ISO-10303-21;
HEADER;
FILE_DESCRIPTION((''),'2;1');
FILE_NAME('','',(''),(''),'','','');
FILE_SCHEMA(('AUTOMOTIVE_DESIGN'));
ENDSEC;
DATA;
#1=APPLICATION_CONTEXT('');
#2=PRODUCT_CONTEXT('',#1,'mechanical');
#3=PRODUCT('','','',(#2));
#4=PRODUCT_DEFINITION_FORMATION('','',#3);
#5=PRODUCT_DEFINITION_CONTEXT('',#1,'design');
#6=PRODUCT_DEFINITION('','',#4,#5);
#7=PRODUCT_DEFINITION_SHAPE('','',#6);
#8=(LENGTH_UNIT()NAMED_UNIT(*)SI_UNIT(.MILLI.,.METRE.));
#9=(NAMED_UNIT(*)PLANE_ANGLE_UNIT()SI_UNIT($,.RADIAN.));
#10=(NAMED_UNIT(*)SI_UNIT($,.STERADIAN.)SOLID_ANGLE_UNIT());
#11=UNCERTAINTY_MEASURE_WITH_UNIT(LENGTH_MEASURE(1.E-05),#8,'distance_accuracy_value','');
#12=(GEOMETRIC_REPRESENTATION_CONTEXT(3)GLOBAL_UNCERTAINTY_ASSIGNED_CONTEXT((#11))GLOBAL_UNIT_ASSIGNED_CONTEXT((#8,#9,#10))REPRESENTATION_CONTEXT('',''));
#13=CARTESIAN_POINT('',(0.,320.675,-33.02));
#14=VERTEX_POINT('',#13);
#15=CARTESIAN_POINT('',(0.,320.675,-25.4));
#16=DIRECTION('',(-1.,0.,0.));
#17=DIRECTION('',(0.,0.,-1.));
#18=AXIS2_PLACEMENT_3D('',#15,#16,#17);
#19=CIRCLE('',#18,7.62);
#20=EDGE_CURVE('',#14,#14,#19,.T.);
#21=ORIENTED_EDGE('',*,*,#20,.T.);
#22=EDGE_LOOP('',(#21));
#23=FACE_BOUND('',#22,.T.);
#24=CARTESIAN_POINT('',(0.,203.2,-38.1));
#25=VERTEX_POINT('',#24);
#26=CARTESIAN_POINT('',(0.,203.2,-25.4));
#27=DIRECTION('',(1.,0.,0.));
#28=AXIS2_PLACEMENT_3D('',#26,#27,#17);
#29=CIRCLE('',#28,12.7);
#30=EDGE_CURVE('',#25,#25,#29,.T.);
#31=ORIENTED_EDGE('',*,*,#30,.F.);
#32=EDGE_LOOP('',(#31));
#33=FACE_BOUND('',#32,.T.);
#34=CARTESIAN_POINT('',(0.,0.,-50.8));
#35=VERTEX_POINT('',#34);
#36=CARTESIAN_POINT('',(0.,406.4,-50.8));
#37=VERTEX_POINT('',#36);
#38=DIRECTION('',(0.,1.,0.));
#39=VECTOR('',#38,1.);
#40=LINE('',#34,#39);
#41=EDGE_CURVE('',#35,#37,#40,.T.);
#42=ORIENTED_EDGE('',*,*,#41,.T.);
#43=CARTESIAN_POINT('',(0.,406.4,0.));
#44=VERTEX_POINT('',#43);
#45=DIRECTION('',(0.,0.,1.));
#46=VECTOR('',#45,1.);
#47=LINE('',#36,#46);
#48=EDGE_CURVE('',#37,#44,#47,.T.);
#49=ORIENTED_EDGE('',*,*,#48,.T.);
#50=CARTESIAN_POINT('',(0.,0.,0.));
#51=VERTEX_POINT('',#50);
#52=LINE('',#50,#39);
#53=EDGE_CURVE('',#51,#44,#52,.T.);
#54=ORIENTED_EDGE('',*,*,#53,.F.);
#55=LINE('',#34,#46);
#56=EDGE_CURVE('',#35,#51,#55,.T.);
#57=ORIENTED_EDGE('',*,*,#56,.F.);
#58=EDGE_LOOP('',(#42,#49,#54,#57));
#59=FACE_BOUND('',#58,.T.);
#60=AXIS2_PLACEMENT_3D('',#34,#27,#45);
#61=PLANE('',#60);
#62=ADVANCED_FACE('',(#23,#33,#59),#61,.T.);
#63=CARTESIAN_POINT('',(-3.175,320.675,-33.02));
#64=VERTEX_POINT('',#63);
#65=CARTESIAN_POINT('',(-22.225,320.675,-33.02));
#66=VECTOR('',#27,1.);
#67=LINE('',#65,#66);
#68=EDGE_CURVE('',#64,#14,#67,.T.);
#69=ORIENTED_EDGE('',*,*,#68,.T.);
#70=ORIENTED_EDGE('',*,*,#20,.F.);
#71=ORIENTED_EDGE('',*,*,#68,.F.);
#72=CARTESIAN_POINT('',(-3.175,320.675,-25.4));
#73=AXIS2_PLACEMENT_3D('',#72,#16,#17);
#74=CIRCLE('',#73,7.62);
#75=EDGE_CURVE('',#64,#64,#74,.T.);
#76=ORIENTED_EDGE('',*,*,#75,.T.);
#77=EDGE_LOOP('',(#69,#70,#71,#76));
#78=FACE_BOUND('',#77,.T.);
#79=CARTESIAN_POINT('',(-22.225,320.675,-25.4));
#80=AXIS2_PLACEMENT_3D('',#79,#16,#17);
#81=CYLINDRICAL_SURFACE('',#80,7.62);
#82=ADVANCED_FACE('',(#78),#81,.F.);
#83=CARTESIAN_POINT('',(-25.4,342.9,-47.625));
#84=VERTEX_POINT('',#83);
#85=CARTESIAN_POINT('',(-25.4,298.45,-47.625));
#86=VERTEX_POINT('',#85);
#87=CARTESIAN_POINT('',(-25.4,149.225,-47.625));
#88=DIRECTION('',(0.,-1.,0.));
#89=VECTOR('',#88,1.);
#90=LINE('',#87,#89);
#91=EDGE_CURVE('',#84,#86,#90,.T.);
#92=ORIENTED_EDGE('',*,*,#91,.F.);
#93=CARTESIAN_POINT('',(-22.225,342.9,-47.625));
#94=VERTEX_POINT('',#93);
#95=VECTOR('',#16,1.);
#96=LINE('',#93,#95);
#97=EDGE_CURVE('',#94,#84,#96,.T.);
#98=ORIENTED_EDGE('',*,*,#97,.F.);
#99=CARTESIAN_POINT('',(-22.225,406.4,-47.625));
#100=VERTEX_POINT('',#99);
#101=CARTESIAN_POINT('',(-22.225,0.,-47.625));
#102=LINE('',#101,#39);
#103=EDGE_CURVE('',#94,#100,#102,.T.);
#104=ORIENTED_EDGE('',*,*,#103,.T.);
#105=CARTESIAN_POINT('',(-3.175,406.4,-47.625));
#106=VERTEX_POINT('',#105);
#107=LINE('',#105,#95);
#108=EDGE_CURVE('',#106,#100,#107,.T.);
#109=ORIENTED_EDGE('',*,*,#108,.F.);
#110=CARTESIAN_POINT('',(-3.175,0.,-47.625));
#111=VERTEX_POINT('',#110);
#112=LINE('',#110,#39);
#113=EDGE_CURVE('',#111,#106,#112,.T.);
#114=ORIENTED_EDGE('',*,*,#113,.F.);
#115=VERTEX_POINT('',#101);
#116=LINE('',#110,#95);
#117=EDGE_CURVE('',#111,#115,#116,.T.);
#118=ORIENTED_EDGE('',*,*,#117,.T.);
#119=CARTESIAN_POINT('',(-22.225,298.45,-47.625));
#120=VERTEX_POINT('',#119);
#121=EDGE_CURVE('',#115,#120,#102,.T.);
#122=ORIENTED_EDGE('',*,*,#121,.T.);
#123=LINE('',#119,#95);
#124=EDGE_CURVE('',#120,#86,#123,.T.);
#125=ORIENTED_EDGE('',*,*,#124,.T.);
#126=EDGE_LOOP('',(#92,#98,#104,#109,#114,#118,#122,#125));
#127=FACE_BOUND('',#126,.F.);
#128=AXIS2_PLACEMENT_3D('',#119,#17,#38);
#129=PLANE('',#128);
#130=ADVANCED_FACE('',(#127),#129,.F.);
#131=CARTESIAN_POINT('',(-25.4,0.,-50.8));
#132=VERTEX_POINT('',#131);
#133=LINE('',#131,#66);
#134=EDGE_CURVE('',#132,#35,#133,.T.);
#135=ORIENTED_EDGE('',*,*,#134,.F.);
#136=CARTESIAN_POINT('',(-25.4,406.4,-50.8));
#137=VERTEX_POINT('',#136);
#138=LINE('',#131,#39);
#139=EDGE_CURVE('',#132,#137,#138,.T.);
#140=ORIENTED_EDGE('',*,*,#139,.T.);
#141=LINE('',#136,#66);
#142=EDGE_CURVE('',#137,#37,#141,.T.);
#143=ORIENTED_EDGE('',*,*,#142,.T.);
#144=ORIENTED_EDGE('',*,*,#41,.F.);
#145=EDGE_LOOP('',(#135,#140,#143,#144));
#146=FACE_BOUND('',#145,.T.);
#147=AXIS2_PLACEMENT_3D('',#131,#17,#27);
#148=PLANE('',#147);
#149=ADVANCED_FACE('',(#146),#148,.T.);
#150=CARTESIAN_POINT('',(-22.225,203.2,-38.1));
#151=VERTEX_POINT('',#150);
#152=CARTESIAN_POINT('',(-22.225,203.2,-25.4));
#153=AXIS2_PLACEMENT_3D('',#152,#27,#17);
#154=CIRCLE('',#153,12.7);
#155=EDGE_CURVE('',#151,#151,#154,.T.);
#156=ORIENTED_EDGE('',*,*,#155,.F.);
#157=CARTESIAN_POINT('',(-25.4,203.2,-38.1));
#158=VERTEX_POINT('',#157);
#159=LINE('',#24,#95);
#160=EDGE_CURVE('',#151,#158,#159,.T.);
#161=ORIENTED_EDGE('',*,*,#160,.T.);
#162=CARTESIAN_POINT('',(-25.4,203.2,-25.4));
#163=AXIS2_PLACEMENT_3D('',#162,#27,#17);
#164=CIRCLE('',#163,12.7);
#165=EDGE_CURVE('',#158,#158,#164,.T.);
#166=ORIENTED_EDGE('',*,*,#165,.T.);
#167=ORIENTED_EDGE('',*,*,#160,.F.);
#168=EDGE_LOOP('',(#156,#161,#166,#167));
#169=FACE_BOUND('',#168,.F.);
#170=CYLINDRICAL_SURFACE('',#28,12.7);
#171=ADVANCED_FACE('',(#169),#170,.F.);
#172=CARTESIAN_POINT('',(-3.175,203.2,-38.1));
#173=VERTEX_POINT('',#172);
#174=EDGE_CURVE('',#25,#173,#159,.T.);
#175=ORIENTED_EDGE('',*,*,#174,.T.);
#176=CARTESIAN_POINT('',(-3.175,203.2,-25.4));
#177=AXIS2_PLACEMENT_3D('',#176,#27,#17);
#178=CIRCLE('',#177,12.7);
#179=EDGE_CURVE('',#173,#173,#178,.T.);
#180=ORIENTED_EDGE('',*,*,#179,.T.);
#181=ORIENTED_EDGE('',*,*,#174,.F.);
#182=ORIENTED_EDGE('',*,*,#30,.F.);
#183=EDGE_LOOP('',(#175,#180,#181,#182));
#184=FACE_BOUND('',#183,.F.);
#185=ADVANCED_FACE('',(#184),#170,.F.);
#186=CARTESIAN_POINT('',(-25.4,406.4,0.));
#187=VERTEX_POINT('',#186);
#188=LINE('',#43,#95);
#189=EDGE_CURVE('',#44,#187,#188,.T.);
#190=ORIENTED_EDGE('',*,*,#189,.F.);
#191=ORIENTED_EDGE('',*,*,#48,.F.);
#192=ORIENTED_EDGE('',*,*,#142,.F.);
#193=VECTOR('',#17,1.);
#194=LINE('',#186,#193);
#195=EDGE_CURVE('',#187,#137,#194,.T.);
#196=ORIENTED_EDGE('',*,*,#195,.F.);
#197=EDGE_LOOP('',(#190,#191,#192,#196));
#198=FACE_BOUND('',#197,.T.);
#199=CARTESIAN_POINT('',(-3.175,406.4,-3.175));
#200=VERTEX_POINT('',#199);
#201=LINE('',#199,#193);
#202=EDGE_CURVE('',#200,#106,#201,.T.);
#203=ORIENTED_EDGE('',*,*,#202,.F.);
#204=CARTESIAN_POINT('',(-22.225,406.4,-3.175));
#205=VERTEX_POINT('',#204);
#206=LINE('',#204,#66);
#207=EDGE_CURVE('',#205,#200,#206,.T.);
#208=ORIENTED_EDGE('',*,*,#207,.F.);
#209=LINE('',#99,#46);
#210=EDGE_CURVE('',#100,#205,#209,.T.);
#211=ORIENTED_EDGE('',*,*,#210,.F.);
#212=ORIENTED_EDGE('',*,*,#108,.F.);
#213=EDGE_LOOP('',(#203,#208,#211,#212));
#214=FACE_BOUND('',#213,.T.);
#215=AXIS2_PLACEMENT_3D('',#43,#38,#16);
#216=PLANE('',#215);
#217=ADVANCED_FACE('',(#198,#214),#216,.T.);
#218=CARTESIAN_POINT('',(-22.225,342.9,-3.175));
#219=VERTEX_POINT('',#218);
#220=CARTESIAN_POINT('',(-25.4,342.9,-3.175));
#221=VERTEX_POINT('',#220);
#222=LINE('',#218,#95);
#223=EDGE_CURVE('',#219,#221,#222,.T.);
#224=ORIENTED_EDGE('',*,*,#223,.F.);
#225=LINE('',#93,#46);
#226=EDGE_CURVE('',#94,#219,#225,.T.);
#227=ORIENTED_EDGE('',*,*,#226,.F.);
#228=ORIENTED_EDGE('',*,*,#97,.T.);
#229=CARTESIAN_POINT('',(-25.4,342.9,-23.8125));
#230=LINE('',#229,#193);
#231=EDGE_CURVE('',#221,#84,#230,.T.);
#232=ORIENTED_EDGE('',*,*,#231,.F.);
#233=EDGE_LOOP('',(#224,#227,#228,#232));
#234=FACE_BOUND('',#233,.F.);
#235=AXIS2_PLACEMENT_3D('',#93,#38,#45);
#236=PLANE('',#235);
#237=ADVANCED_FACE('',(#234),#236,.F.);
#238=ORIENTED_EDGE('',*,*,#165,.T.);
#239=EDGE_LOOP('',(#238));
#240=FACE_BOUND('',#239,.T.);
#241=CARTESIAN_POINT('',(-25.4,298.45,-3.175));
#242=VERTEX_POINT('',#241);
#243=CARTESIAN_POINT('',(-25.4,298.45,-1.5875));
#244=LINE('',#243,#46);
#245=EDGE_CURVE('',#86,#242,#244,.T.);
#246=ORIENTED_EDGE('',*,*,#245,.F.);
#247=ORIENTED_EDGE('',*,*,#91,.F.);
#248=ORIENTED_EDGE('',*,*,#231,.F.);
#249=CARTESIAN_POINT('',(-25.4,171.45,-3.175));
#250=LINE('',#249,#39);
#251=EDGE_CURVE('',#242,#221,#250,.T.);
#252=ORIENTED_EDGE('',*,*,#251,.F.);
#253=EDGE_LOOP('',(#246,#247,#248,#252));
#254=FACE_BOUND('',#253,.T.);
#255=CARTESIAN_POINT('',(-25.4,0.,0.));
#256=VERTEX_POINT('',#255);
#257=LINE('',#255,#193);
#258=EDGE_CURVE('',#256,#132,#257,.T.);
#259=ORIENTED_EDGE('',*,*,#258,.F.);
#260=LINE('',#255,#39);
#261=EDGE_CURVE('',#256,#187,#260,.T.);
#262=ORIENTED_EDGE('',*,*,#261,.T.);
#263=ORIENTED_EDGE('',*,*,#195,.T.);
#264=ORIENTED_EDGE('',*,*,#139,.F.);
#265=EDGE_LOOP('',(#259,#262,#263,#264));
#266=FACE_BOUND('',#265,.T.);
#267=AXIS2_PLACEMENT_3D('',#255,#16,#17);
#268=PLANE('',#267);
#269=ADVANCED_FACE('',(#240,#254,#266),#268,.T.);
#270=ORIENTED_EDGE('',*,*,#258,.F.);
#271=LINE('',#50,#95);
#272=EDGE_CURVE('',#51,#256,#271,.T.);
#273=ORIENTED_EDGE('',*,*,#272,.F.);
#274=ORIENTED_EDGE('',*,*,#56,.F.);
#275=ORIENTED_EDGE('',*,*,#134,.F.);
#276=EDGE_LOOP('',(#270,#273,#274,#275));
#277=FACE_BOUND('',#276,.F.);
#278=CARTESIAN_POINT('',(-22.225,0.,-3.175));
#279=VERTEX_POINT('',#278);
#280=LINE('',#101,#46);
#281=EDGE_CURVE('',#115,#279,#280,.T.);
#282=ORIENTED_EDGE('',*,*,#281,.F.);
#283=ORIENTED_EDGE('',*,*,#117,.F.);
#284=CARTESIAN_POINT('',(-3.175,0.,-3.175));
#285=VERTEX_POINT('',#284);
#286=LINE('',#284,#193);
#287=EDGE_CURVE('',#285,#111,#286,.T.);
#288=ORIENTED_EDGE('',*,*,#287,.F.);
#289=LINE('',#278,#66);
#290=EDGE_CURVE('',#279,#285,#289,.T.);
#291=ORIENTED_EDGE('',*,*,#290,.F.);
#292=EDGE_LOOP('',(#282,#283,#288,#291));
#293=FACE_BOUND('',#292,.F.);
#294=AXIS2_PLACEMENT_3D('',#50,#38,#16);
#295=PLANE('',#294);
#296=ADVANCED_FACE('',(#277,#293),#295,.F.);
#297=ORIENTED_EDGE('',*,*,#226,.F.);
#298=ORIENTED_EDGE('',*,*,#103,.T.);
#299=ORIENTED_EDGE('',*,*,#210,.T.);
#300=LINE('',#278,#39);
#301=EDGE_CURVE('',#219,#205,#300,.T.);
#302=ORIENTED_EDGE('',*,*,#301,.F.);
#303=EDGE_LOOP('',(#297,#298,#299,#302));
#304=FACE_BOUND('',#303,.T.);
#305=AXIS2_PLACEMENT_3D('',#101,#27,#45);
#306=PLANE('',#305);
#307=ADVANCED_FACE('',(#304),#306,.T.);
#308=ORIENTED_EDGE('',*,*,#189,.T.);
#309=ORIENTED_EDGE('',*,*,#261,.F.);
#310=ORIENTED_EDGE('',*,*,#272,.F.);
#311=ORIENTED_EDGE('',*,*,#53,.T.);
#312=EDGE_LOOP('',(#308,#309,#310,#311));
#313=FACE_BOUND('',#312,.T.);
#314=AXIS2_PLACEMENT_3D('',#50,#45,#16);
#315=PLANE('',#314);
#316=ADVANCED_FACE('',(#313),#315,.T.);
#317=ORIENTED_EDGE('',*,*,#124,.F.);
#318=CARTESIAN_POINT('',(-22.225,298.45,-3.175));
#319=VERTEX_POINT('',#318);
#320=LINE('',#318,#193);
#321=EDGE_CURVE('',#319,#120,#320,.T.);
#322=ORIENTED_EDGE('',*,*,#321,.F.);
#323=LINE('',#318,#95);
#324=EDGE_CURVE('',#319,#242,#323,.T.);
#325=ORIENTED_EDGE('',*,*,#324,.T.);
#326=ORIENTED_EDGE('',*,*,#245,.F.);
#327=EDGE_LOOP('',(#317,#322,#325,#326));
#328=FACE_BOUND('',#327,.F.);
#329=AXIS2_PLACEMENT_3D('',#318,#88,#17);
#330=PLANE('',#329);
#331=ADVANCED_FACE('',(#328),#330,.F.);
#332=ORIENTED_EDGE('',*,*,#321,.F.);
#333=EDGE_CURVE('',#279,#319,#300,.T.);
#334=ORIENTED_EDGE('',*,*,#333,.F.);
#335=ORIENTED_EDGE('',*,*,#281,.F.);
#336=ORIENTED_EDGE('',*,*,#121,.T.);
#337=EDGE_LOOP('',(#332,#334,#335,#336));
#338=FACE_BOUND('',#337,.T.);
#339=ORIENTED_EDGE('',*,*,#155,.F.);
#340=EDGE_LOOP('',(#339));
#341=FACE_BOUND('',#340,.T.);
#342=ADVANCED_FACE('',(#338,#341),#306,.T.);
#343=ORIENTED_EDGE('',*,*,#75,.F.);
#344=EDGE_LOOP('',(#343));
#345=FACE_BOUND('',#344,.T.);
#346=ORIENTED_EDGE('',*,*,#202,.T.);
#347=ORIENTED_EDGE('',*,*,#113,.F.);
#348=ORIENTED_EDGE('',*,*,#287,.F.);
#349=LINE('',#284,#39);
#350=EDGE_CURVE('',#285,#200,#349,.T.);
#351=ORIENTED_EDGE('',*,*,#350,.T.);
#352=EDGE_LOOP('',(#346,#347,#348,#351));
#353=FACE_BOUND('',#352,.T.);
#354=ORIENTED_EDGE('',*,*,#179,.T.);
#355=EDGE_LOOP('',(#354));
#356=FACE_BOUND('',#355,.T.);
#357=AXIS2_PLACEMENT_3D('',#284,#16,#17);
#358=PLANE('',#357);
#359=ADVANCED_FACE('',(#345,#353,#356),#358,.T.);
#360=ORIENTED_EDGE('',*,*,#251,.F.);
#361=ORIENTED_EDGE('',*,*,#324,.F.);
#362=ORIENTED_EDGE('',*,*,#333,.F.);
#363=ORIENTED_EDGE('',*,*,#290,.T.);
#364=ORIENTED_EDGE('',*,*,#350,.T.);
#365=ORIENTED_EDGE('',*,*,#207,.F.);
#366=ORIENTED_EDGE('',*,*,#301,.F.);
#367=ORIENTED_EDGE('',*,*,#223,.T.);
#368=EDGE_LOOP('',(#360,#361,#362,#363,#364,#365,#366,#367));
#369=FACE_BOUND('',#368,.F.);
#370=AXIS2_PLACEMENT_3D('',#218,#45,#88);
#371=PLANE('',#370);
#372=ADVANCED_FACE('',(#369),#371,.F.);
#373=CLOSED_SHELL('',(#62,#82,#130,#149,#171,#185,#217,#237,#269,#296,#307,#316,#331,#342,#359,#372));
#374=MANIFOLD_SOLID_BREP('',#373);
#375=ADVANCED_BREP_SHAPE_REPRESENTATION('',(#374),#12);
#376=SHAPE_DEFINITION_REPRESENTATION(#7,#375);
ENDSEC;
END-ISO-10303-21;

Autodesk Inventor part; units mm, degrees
ref_plane "YZ Plane" through (0, 0, 0) normal (1, 0, 0) x (0, 1, 0)
ref_plane "XZ Plane" through (0, 0, 0) normal (0, 1, 0) x (-1, 0, 0)
ref_plane "XY Plane" through (0, 0, 0) normal (0, 0, 1) x (1, 0, 0)
sketch "Sketch1" plane through (0, 0, 0) normal (0, 1, 0) x (-1, 0, 0)
  line L0 (0, 0) -> (25.4, 0)
  line L1 (25.4, 0) -> (25.4, -50.8)
  line L2 (25.4, -50.8) -> (0, -50.8)
  line L3 (0, -50.8) -> (0, 0)
  line L4 (22.225, -47.625) -> (22.225, -3.175)
  line L5 (22.225, -3.175) -> (3.175, -3.175)
  line L6 (3.175, -3.175) -> (3.175, -47.625)
  line L7 (3.175, -47.625) -> (22.225, -47.625)
  dimension "d0" = 50.8
  dimension "d1" = 25.4
  dimension "d2" = 3.175
extrude "Extrusion1" add sketch "Sketch1" along normal blind 406.4
sketch "Sketch2" plane through (0, 0, 0) normal (1, 0, 0) x (0, 0, -1)
  circle A0 centre (25.4, 203.2) radius 12.7
  line L0 (0, 0) -> (0, 406.4) projected
  line L1 (50.8, 0) -> (0, 0) projected
  dimension "d5" = 25.4
  dimension "d6" = 25.4
  dimension "d7" = 203.2
extrude "Extrusion2" cut sketch "Sketch2" against normal blind 25.4
sketch "Sketch4" plane through (-22.225, 0, -47.625) normal (1, 0, 0) x (0, 0, -1)
  circle A0 centre (-22.225, 320.675) radius 7.62
  line L0 (-47.625, 406.4) -> (3.175, 406.4) projected
  line L1 (-47.625, 0) -> (-47.625, 406.4) projected
  dimension "d15" = 25.4
  dimension "d16" = 15.24
  dimension "d25" = 85.725
extrude "Extrusion4" cut sketch "Sketch4" along normal blind 25.4
sketch "Sketch5" plane through (-22.225, 0, -47.625) normal (1, 0, 0) x (0, 0, -1)
  line L0 (0, 342.9) -> (-44.45, 342.9)
  line L1 (-44.45, 342.9) -> (-44.45, 298.45)
  line L2 (-44.45, 298.45) -> (0, 298.45)
  line L3 (0, 298.45) -> (0, 342.9)
  line L4 (0, 342.9) -> (0, 298.45) projected
  line L5 (-44.45, 298.45) -> (-44.45, 342.9) projected
  line L6 (0, 298.45) -> (-44.45, 298.45) projected
  line L7 (-44.45, 342.9) -> (0, 342.9) projected
  point P0 (-47.625, 0)
  dimension "d19" = 0
  dimension "d20" = 0
  dimension "d21" = 0
  dimension "d22" = 0
extrude "Extrusion5" cut sketch "Sketch5" against normal blind 25.4
properties part number "2x1 16in Aluminum-ver2-1111-2020"
